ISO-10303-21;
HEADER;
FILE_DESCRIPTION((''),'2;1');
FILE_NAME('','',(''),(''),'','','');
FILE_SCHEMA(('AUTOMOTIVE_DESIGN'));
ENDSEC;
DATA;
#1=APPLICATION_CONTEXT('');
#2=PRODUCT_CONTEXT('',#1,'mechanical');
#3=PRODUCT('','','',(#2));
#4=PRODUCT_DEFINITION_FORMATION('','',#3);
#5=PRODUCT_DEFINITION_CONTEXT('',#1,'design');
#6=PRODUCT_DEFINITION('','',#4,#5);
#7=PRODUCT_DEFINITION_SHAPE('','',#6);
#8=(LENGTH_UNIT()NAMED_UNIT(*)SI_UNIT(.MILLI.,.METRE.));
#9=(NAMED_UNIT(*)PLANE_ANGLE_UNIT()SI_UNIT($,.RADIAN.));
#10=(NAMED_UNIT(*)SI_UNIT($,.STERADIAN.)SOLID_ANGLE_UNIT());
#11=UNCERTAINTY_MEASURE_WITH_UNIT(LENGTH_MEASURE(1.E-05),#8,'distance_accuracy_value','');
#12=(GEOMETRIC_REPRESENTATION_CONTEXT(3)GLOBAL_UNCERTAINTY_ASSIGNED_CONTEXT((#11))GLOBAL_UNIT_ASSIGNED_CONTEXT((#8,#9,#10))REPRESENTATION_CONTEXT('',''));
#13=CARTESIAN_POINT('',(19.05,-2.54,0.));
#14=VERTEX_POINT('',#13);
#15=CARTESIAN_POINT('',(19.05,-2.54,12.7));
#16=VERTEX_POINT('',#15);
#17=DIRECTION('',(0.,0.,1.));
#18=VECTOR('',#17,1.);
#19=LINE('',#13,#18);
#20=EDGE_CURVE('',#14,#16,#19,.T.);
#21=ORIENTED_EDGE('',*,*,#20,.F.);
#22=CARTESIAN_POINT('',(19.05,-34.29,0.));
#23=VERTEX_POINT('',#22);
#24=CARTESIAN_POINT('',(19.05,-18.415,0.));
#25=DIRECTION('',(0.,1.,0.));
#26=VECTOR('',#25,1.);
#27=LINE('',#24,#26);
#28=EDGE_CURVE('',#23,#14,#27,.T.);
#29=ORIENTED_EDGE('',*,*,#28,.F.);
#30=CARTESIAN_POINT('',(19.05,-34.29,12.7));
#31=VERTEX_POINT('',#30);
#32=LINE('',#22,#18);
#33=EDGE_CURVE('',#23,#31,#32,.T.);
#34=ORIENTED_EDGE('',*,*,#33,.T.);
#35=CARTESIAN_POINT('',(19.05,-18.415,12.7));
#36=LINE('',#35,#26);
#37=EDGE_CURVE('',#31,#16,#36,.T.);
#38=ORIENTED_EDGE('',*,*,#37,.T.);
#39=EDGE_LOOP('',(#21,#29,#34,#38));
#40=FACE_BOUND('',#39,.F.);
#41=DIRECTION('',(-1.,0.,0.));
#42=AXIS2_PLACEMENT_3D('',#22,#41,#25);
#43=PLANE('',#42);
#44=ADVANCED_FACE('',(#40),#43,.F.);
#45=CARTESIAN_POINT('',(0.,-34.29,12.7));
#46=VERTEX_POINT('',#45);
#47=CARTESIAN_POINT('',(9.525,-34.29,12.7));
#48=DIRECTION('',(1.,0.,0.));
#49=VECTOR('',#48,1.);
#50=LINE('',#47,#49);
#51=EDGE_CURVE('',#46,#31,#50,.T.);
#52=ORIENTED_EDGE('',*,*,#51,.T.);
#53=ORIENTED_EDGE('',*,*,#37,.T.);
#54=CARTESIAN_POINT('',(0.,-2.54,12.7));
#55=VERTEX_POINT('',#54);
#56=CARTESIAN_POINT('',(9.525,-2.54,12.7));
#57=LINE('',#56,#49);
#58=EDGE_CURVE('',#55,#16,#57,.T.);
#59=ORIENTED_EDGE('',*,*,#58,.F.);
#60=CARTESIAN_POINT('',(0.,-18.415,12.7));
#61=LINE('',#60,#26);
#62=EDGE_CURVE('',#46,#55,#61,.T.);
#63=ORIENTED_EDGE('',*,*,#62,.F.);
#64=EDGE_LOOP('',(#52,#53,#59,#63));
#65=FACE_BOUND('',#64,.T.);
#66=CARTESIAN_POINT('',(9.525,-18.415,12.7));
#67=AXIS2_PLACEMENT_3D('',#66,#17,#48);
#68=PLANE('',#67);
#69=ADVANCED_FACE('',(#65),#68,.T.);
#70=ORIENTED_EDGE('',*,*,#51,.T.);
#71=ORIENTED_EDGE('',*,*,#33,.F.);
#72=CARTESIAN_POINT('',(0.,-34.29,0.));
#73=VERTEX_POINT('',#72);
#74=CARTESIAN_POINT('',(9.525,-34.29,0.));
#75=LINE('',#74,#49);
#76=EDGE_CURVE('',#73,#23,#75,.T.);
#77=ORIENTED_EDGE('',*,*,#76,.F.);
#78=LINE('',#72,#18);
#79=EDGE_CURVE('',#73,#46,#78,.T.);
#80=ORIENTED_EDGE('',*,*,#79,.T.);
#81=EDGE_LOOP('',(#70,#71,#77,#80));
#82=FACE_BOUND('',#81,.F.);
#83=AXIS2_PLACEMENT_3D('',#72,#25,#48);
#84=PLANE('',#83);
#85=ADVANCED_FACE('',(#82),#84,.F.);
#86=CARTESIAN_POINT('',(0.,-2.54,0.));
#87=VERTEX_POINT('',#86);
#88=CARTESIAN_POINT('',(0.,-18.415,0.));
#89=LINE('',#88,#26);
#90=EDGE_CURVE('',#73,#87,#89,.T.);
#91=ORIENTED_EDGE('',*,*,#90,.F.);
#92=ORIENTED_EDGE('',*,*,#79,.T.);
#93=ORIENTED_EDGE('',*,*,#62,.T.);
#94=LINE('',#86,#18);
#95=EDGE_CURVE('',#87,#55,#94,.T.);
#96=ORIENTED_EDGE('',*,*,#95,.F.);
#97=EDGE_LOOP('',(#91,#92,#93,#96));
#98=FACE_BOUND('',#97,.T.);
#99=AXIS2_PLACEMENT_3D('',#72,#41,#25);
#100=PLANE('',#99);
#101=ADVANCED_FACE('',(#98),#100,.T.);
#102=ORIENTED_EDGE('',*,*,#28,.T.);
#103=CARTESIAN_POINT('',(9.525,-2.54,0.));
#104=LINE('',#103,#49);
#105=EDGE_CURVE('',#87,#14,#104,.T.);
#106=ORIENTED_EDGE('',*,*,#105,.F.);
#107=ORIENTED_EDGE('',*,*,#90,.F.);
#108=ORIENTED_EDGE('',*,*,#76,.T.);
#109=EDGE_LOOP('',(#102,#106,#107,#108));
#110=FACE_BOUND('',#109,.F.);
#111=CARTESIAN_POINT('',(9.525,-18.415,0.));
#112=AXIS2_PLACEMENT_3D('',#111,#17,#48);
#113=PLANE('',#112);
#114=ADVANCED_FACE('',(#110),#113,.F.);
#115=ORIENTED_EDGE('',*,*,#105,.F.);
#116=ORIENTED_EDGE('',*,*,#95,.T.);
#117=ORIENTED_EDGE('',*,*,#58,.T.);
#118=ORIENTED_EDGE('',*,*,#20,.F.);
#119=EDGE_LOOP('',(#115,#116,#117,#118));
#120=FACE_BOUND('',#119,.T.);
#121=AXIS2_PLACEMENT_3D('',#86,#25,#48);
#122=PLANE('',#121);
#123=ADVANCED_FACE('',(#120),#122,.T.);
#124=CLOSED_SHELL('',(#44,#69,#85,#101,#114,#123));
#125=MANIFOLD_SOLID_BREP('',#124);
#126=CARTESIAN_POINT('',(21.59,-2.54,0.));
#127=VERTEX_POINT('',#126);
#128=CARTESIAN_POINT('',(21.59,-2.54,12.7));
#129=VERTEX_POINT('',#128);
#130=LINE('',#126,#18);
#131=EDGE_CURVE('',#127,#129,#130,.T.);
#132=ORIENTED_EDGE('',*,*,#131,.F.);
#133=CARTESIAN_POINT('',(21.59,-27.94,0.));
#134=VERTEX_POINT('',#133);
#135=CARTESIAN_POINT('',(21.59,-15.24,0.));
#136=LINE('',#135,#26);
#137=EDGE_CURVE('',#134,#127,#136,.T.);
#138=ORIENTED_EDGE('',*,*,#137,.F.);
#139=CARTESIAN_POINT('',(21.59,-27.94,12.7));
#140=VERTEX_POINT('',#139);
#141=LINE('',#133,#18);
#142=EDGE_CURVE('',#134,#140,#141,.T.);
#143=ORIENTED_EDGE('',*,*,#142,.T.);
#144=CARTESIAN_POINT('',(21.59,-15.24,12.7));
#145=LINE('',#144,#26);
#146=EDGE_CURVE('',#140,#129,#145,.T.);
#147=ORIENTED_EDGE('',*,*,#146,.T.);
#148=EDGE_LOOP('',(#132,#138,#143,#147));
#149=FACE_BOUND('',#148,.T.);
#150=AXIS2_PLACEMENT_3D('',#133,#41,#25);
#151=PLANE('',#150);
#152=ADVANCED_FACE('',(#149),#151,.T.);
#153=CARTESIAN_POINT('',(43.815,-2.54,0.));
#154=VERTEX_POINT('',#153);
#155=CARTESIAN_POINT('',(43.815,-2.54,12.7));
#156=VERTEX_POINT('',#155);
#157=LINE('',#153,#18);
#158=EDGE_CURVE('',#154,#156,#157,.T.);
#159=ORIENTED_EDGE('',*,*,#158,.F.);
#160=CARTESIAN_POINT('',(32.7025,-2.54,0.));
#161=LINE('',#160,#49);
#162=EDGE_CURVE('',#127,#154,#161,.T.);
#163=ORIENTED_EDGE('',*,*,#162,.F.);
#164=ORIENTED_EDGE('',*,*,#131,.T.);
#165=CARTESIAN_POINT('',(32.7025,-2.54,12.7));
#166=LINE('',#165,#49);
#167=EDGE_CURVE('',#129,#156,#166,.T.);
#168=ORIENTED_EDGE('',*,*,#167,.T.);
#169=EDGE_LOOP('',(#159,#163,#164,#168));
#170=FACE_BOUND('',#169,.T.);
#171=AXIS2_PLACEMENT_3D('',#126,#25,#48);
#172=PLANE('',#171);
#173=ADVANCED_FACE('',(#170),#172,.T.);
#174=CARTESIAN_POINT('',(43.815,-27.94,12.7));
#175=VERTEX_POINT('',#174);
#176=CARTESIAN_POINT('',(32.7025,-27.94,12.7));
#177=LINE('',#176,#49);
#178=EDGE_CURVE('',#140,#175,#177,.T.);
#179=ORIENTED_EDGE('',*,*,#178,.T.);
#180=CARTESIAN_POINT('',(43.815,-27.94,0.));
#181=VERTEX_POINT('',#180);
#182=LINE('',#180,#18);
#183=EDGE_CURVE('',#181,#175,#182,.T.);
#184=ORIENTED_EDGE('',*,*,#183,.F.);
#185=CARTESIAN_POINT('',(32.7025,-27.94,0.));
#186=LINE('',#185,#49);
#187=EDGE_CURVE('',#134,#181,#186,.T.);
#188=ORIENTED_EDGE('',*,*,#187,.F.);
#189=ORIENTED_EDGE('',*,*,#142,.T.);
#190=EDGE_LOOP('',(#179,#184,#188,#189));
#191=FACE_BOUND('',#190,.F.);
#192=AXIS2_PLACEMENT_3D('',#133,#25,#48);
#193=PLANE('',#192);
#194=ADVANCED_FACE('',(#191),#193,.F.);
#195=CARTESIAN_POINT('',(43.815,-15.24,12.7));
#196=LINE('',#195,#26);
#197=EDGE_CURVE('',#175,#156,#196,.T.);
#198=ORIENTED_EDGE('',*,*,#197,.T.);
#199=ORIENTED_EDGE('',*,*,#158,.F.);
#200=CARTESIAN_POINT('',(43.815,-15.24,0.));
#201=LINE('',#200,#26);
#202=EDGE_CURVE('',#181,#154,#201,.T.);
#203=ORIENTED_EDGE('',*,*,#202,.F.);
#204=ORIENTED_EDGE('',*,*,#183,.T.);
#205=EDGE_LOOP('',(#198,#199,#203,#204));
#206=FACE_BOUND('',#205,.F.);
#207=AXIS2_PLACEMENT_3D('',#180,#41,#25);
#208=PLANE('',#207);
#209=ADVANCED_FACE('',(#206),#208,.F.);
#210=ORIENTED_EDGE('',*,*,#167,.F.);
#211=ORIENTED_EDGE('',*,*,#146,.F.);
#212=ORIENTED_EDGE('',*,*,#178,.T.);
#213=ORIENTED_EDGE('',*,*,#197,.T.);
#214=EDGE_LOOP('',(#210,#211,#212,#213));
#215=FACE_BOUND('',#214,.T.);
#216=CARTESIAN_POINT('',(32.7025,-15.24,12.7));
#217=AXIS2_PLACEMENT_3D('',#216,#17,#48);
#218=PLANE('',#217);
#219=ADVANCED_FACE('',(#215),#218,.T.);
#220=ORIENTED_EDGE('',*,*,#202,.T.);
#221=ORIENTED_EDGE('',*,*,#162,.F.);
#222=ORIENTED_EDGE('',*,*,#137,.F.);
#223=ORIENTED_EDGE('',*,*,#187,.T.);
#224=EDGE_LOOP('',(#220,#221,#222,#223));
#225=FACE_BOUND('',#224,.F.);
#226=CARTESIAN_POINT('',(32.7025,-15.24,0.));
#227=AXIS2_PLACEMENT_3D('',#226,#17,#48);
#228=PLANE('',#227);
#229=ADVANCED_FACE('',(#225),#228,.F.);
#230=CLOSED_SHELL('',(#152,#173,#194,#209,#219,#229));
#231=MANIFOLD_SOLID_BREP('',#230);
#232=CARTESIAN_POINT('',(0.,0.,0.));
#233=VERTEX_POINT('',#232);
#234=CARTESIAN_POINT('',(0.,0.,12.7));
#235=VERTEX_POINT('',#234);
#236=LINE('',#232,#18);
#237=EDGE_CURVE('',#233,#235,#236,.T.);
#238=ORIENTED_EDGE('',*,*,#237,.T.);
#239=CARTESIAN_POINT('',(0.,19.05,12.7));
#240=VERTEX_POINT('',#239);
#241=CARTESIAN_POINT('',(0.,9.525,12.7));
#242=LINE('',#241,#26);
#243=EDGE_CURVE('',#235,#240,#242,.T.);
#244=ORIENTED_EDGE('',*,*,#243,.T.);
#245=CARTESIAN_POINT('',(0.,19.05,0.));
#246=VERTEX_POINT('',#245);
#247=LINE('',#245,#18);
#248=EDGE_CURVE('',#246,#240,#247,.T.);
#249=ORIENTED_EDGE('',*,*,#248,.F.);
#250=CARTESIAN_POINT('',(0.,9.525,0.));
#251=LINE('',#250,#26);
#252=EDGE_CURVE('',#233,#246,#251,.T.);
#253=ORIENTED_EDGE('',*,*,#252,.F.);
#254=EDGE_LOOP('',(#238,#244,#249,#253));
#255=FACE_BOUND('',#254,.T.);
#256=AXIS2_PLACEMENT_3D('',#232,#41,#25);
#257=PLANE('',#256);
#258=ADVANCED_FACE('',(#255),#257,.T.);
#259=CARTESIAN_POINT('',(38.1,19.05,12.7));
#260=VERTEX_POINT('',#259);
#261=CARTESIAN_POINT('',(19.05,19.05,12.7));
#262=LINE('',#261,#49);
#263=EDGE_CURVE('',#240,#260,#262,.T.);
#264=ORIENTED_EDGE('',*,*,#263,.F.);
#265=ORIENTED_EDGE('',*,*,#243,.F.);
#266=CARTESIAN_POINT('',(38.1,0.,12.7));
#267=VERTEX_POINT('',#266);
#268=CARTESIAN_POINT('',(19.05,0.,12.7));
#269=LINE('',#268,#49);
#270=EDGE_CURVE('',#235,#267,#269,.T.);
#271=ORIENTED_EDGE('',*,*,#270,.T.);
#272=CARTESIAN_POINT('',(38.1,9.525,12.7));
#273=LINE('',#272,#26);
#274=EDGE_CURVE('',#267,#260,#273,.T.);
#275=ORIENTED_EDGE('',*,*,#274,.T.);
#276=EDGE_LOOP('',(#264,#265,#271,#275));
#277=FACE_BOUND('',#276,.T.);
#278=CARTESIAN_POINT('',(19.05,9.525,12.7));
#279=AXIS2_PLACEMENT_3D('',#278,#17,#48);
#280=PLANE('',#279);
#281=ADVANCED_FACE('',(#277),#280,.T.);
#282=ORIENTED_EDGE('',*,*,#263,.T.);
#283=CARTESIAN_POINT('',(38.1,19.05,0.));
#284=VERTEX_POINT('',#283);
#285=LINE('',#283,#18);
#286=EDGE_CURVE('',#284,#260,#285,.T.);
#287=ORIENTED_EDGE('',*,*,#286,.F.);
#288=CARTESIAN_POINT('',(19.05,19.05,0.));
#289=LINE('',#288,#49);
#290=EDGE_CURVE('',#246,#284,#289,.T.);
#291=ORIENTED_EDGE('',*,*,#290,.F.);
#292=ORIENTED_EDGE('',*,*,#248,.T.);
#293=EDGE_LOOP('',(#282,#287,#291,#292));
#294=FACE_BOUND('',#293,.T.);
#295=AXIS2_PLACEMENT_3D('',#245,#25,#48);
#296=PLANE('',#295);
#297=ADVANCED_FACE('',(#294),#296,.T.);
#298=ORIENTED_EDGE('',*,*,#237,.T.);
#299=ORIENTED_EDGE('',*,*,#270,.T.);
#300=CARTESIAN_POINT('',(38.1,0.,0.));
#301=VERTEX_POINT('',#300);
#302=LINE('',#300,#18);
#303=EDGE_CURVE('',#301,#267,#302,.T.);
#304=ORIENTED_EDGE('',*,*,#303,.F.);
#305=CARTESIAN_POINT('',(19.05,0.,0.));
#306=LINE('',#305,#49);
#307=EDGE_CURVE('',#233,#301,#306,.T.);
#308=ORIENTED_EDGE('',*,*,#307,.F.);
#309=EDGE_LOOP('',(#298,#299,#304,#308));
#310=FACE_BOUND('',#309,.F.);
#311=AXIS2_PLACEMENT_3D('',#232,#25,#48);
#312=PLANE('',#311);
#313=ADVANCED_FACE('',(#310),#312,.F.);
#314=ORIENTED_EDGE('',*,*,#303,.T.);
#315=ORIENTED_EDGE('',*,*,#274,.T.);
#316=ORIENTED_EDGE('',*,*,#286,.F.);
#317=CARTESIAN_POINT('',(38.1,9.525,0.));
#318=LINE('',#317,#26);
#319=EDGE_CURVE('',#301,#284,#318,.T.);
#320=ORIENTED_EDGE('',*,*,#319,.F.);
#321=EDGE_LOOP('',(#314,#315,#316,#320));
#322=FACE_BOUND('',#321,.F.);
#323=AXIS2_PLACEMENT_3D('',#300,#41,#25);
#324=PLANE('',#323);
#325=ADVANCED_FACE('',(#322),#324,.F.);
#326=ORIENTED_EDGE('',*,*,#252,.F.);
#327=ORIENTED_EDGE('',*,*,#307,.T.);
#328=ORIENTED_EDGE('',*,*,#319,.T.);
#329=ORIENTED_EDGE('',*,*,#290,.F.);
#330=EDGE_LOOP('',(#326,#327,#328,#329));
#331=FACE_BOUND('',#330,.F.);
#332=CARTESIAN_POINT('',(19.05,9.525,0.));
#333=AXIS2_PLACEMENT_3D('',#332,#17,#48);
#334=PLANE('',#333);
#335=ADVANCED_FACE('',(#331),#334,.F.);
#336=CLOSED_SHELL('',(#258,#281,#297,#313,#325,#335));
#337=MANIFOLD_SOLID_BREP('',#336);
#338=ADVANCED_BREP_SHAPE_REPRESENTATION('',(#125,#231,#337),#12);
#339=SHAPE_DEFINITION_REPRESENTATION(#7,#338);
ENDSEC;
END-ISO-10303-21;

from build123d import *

# Parameters (mm, degrees)
F0_W     = 38.1
F0_H     = 19.05
F0_W_2   = 22.225
F0_H_2   = 25.4
F0_W_3   = 19.05
F0_H_3   = 31.75
F1_DEPTH = 12.7


with BuildPart() as f1:
    # F0 (on Top) → F1 (new body)
    with BuildSketch(Plane.XY):
        with Locations((19.05, 9.525)):
            Rectangle(F0_W, F0_H)
        with Locations((32.7025, -15.24)):
            Rectangle(F0_W_2, F0_H_2)
        with Locations((9.525, -18.415)):
            Rectangle(F0_W_3, F0_H_3)
    extrude(amount=F1_DEPTH)


solid = f1.part
